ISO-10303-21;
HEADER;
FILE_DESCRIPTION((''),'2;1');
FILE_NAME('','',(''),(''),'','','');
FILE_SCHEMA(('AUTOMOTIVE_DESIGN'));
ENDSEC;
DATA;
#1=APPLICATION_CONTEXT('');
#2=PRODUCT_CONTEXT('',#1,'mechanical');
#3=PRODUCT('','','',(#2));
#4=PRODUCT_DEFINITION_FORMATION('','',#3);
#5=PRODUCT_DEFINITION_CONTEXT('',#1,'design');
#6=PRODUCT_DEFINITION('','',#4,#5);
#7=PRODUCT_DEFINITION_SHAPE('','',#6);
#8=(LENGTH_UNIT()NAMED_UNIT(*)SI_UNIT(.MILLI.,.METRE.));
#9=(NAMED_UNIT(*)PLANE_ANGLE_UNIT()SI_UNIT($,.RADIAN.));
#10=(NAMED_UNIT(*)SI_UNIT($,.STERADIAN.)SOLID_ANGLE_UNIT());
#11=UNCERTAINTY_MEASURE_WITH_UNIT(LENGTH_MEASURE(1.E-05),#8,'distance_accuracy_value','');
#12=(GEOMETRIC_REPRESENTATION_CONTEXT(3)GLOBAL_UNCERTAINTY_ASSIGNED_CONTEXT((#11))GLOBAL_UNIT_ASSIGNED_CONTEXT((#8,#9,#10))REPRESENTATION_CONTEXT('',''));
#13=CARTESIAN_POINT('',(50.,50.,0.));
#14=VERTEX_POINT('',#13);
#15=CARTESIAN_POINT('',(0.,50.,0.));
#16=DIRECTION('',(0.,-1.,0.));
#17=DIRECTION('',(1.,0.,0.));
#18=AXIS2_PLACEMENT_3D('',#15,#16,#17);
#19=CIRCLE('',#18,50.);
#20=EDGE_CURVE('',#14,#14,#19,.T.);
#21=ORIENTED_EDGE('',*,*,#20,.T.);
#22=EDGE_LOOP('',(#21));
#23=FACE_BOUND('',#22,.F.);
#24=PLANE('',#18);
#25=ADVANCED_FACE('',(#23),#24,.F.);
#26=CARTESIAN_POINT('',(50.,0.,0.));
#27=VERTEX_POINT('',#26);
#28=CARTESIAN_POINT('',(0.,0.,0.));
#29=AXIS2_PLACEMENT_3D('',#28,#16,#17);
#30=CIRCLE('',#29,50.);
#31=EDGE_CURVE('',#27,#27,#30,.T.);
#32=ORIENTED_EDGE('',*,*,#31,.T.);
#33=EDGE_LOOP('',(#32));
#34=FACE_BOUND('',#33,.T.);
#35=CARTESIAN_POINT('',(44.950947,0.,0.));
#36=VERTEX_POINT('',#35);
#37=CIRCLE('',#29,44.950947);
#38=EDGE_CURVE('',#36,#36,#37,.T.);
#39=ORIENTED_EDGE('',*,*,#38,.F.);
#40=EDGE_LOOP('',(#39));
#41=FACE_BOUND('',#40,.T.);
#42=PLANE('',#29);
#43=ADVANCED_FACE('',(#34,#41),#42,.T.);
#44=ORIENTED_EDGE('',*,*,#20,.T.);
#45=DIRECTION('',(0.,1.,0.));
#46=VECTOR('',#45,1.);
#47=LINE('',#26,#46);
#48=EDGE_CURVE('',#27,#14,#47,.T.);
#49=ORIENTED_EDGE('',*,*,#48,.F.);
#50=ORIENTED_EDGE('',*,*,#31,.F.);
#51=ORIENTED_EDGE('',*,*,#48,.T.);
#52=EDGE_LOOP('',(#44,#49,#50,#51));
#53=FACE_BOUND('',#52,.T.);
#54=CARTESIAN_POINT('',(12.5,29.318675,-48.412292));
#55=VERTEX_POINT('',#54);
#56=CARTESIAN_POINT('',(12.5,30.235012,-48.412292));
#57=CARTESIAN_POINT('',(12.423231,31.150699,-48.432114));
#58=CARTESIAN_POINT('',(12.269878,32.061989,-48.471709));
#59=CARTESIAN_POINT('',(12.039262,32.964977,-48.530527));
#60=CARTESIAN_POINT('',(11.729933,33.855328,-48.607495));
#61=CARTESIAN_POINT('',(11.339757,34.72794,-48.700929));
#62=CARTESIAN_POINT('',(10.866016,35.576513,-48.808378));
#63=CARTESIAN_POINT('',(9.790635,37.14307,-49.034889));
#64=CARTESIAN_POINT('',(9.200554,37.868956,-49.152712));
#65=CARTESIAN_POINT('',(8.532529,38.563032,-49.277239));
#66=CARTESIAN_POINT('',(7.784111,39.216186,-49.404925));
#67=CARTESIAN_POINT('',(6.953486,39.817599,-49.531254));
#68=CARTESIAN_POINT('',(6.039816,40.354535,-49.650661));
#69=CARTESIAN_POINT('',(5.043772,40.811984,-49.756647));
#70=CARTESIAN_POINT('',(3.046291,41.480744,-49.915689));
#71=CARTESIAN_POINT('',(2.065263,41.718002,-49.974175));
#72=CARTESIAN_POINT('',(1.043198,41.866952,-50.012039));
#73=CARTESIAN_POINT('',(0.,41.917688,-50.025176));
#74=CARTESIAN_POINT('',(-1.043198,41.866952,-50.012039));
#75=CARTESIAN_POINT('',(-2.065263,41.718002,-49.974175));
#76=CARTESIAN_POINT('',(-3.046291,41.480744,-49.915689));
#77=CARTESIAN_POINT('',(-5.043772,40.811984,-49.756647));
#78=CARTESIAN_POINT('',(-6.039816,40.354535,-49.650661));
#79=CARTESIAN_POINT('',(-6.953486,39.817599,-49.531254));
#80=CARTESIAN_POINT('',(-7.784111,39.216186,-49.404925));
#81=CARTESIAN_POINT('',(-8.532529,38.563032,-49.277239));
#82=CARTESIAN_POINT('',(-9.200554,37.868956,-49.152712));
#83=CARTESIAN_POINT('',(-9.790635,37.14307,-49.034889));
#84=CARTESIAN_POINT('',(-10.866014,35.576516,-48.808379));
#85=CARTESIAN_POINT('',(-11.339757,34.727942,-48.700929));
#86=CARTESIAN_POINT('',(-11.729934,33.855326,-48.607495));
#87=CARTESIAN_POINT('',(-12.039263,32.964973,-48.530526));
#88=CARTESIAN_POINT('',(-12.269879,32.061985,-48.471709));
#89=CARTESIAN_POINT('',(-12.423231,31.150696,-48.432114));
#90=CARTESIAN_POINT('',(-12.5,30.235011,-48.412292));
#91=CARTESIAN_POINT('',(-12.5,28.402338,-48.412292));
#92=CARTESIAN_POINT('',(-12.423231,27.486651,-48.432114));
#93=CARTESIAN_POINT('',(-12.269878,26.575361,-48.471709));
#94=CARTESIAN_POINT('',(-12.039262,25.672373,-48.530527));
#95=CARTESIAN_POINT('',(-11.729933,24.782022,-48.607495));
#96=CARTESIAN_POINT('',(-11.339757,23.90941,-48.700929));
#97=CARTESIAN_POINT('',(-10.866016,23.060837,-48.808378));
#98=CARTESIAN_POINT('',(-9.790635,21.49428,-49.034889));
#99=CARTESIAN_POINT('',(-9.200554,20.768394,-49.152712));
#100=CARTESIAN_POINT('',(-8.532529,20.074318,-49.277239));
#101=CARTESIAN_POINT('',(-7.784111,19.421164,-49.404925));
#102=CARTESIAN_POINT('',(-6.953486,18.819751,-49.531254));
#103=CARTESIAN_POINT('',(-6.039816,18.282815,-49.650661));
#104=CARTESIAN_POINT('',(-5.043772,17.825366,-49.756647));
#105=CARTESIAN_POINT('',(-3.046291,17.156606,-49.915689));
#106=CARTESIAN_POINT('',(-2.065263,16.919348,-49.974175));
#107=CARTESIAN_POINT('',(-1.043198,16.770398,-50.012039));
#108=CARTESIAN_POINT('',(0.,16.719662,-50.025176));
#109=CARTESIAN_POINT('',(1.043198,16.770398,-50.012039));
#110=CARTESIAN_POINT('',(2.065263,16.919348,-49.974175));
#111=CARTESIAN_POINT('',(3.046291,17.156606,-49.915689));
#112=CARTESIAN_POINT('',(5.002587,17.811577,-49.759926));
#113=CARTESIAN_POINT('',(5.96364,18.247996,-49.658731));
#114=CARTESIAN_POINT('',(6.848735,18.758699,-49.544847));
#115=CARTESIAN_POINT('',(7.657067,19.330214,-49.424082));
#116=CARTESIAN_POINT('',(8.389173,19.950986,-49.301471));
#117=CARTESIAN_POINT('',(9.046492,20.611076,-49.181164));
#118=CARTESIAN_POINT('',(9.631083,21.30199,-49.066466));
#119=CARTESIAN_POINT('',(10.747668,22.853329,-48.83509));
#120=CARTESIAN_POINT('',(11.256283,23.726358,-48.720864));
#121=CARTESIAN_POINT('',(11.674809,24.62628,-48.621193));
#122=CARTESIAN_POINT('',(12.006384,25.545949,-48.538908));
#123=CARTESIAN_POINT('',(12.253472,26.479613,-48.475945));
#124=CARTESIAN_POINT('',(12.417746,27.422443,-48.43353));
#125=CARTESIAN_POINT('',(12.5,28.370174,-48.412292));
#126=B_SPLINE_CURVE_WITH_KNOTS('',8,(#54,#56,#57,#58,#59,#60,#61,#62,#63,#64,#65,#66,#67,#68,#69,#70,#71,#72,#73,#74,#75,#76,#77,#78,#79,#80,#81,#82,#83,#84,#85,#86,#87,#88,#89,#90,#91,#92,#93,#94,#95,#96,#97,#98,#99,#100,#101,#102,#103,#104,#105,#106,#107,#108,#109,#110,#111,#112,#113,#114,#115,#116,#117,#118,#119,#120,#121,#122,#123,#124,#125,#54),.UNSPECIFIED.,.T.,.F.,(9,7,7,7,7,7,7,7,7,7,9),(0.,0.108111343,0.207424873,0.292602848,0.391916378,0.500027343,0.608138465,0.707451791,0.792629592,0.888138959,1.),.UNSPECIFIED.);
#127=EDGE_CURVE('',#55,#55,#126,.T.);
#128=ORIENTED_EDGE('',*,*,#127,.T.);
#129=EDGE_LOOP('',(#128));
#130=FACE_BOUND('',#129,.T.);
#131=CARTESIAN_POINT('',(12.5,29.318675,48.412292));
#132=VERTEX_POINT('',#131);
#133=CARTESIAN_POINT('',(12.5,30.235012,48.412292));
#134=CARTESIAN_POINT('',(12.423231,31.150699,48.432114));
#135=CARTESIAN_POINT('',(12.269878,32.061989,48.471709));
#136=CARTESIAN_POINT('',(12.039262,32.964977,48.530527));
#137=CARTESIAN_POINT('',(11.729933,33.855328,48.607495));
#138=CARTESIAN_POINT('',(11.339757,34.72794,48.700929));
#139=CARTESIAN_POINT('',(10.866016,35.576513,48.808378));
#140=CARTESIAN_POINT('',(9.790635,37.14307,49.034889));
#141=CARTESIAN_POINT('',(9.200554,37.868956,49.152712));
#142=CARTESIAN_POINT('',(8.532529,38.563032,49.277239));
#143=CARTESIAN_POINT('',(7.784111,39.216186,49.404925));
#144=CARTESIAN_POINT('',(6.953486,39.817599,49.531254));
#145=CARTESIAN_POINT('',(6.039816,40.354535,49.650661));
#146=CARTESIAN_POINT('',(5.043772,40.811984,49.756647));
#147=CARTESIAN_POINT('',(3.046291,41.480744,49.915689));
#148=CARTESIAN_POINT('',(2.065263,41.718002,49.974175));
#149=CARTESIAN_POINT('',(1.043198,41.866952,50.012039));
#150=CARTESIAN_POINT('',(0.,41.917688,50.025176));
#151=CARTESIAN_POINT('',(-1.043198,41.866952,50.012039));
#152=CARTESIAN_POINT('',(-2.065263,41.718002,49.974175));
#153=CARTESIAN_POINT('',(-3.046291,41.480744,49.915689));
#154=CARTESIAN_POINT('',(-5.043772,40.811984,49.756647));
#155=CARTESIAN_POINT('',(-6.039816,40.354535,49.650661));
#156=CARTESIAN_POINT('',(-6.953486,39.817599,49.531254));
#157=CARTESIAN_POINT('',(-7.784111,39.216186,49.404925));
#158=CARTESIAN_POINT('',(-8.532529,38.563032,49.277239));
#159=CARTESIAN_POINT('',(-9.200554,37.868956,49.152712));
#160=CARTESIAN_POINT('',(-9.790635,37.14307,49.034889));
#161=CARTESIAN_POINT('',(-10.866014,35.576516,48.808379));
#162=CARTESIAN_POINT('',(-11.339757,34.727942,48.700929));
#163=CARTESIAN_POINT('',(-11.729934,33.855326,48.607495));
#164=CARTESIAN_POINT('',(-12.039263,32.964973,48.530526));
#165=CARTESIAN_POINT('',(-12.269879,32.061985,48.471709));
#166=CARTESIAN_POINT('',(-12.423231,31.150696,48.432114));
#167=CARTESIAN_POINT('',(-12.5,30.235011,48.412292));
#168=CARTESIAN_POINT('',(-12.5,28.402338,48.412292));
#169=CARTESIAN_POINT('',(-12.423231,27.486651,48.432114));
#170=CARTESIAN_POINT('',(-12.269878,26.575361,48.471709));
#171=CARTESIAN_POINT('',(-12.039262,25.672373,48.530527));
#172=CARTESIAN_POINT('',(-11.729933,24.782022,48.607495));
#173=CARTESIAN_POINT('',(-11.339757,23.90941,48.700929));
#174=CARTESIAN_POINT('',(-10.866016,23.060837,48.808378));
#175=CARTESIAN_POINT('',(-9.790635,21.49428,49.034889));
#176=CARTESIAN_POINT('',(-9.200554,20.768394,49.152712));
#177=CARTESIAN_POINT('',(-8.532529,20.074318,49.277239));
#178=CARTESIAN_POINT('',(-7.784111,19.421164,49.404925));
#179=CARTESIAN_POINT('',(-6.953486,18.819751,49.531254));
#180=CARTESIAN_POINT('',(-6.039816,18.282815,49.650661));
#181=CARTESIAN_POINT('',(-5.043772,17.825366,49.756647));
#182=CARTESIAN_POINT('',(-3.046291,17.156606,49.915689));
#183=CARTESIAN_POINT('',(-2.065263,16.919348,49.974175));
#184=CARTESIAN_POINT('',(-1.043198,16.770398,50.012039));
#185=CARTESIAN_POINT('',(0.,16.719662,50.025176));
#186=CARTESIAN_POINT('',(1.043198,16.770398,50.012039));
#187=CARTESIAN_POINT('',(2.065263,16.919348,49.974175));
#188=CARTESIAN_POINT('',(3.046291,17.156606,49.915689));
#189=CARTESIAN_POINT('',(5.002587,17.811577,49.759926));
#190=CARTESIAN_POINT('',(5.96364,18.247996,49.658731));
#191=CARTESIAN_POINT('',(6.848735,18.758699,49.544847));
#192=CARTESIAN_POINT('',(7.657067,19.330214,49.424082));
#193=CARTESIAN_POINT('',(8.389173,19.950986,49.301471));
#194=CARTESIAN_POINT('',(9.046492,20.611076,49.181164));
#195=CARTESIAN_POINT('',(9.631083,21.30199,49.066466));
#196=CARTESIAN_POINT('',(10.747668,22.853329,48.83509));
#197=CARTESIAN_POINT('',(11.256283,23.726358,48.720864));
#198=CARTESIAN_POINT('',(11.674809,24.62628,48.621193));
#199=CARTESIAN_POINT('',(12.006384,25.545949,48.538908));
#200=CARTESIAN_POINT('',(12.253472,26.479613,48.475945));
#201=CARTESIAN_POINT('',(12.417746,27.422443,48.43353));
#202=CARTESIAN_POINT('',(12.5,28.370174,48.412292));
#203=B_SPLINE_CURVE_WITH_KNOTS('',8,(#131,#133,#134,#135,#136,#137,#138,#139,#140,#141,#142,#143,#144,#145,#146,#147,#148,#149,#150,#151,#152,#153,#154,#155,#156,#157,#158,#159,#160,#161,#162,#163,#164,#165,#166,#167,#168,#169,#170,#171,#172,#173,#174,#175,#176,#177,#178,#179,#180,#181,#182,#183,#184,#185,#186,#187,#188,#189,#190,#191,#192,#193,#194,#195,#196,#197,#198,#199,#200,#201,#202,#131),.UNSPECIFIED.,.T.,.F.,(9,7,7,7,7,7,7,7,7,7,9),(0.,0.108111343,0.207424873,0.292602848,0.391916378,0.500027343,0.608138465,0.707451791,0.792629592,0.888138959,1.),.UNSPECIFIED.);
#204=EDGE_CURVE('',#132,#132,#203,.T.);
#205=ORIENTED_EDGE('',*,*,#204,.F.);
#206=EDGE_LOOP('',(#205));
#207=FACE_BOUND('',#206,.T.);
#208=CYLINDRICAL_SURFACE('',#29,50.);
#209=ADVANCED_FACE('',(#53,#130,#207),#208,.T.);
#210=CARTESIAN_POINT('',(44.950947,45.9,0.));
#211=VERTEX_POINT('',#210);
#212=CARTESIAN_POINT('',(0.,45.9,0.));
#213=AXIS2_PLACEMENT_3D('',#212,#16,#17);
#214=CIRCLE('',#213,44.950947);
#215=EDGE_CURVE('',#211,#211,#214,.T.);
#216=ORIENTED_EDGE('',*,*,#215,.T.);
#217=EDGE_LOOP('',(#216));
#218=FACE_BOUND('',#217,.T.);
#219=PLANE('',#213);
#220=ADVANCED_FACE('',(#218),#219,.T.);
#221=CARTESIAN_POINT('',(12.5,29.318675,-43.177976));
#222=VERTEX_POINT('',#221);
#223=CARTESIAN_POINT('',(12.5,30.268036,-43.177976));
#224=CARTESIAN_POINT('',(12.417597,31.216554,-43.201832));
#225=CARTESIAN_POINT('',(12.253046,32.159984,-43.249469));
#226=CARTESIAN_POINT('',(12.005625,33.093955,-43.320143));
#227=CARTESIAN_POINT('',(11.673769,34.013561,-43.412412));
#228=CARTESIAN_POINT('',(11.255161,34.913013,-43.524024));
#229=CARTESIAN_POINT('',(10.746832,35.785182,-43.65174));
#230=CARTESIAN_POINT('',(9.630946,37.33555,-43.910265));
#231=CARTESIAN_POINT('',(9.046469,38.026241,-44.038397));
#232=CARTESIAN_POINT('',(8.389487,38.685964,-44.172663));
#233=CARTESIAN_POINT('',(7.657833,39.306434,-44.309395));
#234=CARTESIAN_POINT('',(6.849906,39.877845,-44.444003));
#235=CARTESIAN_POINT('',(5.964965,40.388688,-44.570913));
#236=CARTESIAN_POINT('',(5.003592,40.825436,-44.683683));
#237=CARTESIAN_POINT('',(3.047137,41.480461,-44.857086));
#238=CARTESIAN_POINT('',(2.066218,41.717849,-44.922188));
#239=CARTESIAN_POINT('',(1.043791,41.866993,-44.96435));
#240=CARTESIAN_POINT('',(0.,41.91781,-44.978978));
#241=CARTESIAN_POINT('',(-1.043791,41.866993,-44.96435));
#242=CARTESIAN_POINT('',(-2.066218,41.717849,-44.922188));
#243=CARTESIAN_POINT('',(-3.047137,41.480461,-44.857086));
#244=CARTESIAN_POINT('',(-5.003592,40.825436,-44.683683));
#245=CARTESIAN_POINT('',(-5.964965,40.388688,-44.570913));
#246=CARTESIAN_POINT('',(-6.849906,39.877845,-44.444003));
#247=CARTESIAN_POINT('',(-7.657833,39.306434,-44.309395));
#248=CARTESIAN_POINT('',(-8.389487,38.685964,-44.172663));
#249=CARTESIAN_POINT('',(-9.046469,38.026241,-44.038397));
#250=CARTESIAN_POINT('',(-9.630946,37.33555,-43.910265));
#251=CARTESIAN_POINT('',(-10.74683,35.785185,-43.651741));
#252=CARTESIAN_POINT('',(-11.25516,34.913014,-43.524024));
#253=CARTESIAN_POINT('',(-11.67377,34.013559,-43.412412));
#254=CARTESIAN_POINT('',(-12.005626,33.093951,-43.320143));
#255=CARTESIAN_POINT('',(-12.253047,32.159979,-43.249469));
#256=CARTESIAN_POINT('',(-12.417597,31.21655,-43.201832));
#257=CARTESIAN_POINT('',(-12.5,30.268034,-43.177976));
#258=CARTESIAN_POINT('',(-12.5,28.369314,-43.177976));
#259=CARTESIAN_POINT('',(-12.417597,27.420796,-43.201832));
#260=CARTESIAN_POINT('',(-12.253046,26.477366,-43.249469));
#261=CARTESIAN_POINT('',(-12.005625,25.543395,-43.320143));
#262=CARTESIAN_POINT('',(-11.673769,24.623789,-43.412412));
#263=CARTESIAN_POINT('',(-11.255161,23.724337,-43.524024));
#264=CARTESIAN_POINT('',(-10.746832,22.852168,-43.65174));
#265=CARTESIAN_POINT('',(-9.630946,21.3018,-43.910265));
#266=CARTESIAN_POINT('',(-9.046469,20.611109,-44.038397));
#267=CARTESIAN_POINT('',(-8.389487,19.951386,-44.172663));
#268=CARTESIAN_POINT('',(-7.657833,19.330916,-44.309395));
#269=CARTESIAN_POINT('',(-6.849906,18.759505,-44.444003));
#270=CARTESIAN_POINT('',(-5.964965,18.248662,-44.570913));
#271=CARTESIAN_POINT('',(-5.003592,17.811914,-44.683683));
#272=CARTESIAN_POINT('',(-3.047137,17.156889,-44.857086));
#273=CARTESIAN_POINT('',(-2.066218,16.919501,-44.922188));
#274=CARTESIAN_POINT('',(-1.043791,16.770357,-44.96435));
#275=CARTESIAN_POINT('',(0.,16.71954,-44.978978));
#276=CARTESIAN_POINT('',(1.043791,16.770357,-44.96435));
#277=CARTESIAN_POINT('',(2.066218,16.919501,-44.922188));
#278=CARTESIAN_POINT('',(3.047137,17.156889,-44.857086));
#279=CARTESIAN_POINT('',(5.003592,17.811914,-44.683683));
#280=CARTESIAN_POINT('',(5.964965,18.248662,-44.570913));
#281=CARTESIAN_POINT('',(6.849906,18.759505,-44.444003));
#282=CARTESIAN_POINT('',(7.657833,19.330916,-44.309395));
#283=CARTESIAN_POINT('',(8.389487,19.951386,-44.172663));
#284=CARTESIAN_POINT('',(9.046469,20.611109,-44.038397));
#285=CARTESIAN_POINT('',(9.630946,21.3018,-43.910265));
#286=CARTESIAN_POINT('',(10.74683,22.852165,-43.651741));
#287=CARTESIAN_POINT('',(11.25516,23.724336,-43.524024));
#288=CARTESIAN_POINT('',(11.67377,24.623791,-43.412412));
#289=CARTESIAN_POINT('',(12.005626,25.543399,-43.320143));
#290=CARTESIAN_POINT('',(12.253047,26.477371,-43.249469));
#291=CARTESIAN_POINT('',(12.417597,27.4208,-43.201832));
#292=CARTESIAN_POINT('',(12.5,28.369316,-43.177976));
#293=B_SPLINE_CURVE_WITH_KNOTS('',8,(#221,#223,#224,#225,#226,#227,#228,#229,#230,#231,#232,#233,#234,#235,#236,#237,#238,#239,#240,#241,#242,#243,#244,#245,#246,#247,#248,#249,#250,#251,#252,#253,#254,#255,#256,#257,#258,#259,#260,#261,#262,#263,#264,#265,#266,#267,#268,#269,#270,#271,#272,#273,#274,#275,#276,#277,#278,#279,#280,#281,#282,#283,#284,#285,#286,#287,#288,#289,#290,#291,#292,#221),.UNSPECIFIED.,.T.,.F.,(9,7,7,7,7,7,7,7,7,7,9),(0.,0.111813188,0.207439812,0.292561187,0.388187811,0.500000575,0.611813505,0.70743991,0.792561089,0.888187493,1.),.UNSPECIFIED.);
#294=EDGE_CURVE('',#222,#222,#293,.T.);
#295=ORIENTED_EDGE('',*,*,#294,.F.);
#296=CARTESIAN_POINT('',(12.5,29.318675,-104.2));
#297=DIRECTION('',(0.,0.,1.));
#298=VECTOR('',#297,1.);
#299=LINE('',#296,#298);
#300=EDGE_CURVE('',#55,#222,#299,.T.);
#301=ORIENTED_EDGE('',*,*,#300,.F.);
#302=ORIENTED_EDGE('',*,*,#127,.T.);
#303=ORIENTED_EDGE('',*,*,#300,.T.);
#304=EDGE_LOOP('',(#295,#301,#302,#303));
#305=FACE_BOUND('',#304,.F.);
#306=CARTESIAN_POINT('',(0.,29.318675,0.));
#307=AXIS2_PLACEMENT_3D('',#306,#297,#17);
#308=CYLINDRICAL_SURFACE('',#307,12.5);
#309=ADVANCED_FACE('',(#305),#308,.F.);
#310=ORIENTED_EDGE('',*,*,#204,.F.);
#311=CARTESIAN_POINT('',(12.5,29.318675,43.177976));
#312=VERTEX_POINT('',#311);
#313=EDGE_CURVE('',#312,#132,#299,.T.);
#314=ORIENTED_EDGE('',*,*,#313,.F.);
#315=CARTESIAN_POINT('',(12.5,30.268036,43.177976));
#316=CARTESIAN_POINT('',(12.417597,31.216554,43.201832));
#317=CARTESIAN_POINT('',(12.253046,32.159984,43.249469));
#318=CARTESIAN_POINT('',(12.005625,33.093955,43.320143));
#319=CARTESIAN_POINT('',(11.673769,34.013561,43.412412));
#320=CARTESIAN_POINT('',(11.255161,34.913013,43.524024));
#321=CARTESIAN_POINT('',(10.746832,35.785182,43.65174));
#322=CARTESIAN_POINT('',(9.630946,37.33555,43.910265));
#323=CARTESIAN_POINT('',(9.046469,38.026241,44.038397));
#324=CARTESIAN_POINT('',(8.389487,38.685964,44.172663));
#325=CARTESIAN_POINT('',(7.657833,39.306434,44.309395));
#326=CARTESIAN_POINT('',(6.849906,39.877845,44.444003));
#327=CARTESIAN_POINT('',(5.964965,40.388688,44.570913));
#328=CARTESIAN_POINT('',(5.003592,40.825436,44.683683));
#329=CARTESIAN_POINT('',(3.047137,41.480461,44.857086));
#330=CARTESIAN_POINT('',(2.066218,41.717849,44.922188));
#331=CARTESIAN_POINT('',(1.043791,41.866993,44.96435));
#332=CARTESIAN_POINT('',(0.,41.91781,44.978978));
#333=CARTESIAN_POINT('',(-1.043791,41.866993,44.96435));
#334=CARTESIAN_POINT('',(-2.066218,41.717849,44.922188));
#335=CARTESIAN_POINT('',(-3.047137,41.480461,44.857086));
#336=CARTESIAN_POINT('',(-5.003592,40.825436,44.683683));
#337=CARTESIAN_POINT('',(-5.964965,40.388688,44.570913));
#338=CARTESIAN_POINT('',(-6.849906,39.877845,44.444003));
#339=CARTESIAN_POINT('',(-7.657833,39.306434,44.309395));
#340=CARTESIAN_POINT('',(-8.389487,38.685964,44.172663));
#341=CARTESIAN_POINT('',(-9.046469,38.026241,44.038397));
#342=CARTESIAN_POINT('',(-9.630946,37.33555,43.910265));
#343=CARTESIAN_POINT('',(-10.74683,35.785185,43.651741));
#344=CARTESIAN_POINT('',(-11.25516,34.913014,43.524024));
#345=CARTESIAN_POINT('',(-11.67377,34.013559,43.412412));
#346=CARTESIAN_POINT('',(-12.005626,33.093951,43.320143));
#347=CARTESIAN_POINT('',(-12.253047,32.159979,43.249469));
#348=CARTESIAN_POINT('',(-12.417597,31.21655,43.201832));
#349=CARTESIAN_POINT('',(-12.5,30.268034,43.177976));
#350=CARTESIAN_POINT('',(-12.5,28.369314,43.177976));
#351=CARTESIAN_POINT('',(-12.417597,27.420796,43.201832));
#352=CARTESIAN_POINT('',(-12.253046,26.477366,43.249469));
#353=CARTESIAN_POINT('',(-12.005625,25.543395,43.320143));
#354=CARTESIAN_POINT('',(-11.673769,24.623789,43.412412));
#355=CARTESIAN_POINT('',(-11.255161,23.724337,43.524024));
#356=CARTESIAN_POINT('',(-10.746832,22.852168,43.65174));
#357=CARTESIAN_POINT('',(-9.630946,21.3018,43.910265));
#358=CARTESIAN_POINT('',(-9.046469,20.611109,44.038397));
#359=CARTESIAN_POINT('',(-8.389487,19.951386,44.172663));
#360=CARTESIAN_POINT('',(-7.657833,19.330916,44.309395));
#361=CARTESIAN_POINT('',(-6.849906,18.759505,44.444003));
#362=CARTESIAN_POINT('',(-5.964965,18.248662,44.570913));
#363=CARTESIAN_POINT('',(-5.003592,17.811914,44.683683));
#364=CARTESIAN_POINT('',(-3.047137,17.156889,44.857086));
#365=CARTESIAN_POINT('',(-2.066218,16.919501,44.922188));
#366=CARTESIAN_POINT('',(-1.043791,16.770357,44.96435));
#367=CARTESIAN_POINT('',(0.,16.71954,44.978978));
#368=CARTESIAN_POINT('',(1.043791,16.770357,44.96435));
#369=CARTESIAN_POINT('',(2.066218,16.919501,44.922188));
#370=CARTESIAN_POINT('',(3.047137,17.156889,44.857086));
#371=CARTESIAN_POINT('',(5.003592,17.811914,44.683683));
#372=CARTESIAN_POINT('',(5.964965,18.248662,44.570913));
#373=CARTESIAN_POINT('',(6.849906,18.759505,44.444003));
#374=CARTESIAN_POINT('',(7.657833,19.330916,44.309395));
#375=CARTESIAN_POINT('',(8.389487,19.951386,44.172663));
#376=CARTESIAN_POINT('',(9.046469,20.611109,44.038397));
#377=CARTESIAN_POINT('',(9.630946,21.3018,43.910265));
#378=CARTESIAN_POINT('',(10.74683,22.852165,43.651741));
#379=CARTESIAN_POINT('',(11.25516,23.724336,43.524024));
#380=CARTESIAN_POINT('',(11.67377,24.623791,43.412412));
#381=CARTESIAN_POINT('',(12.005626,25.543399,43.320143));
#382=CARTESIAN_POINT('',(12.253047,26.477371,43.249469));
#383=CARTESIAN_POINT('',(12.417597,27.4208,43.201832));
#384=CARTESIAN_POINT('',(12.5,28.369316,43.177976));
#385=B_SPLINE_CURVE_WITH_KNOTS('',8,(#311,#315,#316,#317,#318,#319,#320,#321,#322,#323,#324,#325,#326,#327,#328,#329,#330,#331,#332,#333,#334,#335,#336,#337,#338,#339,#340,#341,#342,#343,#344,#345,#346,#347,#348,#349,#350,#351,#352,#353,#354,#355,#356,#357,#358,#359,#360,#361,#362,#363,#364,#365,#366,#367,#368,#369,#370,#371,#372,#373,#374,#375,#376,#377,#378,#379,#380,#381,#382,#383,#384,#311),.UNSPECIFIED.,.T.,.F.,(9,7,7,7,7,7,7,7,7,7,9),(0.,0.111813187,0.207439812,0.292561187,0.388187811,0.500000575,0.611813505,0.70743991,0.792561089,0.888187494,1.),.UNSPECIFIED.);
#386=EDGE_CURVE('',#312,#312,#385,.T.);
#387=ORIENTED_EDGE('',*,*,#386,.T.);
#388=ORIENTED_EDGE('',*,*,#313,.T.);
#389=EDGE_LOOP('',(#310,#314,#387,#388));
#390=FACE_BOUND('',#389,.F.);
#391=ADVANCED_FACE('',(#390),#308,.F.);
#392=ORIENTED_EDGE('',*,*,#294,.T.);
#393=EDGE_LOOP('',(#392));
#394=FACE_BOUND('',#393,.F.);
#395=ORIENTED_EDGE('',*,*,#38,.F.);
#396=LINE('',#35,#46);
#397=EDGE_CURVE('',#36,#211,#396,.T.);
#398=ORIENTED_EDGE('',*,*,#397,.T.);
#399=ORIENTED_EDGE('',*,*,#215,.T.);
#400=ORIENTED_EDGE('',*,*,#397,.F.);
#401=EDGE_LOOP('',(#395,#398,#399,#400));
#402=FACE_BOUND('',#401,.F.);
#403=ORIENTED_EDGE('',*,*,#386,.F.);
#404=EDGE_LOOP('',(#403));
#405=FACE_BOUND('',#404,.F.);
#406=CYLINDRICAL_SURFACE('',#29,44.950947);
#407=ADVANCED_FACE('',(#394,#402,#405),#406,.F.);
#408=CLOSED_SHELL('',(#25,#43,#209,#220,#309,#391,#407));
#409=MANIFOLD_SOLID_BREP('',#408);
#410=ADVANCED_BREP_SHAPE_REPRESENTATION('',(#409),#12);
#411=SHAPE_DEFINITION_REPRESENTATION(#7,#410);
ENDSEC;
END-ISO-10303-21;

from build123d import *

# Parameters (mm, degrees)
F0_R     = 50
F1_DEPTH = 50
F2_R     = 12.5
F3_DEPTH = 104.2
F4_R     = 44.950947
F5_DEPTH = 45.9


with BuildPart() as f1:
    # F0 (on Front) → F1 (new body)
    with BuildSketch(Plane.XZ):
        Circle(F0_R)
    extrude(amount=-F1_DEPTH)

    # F2 (on Top) → F3 (cut, symmetric)
    with BuildSketch(Plane.XY):
        with Locations((0, 29.318675)):
            Circle(F2_R)
    extrude(amount=F3_DEPTH, both=True, mode=Mode.SUBTRACT)

    # F4 (on Front) → F5 (cut)
    with BuildSketch(Plane.XZ):
        Circle(F4_R)
    extrude(amount=-F5_DEPTH, mode=Mode.SUBTRACT)


solid = f1.part
